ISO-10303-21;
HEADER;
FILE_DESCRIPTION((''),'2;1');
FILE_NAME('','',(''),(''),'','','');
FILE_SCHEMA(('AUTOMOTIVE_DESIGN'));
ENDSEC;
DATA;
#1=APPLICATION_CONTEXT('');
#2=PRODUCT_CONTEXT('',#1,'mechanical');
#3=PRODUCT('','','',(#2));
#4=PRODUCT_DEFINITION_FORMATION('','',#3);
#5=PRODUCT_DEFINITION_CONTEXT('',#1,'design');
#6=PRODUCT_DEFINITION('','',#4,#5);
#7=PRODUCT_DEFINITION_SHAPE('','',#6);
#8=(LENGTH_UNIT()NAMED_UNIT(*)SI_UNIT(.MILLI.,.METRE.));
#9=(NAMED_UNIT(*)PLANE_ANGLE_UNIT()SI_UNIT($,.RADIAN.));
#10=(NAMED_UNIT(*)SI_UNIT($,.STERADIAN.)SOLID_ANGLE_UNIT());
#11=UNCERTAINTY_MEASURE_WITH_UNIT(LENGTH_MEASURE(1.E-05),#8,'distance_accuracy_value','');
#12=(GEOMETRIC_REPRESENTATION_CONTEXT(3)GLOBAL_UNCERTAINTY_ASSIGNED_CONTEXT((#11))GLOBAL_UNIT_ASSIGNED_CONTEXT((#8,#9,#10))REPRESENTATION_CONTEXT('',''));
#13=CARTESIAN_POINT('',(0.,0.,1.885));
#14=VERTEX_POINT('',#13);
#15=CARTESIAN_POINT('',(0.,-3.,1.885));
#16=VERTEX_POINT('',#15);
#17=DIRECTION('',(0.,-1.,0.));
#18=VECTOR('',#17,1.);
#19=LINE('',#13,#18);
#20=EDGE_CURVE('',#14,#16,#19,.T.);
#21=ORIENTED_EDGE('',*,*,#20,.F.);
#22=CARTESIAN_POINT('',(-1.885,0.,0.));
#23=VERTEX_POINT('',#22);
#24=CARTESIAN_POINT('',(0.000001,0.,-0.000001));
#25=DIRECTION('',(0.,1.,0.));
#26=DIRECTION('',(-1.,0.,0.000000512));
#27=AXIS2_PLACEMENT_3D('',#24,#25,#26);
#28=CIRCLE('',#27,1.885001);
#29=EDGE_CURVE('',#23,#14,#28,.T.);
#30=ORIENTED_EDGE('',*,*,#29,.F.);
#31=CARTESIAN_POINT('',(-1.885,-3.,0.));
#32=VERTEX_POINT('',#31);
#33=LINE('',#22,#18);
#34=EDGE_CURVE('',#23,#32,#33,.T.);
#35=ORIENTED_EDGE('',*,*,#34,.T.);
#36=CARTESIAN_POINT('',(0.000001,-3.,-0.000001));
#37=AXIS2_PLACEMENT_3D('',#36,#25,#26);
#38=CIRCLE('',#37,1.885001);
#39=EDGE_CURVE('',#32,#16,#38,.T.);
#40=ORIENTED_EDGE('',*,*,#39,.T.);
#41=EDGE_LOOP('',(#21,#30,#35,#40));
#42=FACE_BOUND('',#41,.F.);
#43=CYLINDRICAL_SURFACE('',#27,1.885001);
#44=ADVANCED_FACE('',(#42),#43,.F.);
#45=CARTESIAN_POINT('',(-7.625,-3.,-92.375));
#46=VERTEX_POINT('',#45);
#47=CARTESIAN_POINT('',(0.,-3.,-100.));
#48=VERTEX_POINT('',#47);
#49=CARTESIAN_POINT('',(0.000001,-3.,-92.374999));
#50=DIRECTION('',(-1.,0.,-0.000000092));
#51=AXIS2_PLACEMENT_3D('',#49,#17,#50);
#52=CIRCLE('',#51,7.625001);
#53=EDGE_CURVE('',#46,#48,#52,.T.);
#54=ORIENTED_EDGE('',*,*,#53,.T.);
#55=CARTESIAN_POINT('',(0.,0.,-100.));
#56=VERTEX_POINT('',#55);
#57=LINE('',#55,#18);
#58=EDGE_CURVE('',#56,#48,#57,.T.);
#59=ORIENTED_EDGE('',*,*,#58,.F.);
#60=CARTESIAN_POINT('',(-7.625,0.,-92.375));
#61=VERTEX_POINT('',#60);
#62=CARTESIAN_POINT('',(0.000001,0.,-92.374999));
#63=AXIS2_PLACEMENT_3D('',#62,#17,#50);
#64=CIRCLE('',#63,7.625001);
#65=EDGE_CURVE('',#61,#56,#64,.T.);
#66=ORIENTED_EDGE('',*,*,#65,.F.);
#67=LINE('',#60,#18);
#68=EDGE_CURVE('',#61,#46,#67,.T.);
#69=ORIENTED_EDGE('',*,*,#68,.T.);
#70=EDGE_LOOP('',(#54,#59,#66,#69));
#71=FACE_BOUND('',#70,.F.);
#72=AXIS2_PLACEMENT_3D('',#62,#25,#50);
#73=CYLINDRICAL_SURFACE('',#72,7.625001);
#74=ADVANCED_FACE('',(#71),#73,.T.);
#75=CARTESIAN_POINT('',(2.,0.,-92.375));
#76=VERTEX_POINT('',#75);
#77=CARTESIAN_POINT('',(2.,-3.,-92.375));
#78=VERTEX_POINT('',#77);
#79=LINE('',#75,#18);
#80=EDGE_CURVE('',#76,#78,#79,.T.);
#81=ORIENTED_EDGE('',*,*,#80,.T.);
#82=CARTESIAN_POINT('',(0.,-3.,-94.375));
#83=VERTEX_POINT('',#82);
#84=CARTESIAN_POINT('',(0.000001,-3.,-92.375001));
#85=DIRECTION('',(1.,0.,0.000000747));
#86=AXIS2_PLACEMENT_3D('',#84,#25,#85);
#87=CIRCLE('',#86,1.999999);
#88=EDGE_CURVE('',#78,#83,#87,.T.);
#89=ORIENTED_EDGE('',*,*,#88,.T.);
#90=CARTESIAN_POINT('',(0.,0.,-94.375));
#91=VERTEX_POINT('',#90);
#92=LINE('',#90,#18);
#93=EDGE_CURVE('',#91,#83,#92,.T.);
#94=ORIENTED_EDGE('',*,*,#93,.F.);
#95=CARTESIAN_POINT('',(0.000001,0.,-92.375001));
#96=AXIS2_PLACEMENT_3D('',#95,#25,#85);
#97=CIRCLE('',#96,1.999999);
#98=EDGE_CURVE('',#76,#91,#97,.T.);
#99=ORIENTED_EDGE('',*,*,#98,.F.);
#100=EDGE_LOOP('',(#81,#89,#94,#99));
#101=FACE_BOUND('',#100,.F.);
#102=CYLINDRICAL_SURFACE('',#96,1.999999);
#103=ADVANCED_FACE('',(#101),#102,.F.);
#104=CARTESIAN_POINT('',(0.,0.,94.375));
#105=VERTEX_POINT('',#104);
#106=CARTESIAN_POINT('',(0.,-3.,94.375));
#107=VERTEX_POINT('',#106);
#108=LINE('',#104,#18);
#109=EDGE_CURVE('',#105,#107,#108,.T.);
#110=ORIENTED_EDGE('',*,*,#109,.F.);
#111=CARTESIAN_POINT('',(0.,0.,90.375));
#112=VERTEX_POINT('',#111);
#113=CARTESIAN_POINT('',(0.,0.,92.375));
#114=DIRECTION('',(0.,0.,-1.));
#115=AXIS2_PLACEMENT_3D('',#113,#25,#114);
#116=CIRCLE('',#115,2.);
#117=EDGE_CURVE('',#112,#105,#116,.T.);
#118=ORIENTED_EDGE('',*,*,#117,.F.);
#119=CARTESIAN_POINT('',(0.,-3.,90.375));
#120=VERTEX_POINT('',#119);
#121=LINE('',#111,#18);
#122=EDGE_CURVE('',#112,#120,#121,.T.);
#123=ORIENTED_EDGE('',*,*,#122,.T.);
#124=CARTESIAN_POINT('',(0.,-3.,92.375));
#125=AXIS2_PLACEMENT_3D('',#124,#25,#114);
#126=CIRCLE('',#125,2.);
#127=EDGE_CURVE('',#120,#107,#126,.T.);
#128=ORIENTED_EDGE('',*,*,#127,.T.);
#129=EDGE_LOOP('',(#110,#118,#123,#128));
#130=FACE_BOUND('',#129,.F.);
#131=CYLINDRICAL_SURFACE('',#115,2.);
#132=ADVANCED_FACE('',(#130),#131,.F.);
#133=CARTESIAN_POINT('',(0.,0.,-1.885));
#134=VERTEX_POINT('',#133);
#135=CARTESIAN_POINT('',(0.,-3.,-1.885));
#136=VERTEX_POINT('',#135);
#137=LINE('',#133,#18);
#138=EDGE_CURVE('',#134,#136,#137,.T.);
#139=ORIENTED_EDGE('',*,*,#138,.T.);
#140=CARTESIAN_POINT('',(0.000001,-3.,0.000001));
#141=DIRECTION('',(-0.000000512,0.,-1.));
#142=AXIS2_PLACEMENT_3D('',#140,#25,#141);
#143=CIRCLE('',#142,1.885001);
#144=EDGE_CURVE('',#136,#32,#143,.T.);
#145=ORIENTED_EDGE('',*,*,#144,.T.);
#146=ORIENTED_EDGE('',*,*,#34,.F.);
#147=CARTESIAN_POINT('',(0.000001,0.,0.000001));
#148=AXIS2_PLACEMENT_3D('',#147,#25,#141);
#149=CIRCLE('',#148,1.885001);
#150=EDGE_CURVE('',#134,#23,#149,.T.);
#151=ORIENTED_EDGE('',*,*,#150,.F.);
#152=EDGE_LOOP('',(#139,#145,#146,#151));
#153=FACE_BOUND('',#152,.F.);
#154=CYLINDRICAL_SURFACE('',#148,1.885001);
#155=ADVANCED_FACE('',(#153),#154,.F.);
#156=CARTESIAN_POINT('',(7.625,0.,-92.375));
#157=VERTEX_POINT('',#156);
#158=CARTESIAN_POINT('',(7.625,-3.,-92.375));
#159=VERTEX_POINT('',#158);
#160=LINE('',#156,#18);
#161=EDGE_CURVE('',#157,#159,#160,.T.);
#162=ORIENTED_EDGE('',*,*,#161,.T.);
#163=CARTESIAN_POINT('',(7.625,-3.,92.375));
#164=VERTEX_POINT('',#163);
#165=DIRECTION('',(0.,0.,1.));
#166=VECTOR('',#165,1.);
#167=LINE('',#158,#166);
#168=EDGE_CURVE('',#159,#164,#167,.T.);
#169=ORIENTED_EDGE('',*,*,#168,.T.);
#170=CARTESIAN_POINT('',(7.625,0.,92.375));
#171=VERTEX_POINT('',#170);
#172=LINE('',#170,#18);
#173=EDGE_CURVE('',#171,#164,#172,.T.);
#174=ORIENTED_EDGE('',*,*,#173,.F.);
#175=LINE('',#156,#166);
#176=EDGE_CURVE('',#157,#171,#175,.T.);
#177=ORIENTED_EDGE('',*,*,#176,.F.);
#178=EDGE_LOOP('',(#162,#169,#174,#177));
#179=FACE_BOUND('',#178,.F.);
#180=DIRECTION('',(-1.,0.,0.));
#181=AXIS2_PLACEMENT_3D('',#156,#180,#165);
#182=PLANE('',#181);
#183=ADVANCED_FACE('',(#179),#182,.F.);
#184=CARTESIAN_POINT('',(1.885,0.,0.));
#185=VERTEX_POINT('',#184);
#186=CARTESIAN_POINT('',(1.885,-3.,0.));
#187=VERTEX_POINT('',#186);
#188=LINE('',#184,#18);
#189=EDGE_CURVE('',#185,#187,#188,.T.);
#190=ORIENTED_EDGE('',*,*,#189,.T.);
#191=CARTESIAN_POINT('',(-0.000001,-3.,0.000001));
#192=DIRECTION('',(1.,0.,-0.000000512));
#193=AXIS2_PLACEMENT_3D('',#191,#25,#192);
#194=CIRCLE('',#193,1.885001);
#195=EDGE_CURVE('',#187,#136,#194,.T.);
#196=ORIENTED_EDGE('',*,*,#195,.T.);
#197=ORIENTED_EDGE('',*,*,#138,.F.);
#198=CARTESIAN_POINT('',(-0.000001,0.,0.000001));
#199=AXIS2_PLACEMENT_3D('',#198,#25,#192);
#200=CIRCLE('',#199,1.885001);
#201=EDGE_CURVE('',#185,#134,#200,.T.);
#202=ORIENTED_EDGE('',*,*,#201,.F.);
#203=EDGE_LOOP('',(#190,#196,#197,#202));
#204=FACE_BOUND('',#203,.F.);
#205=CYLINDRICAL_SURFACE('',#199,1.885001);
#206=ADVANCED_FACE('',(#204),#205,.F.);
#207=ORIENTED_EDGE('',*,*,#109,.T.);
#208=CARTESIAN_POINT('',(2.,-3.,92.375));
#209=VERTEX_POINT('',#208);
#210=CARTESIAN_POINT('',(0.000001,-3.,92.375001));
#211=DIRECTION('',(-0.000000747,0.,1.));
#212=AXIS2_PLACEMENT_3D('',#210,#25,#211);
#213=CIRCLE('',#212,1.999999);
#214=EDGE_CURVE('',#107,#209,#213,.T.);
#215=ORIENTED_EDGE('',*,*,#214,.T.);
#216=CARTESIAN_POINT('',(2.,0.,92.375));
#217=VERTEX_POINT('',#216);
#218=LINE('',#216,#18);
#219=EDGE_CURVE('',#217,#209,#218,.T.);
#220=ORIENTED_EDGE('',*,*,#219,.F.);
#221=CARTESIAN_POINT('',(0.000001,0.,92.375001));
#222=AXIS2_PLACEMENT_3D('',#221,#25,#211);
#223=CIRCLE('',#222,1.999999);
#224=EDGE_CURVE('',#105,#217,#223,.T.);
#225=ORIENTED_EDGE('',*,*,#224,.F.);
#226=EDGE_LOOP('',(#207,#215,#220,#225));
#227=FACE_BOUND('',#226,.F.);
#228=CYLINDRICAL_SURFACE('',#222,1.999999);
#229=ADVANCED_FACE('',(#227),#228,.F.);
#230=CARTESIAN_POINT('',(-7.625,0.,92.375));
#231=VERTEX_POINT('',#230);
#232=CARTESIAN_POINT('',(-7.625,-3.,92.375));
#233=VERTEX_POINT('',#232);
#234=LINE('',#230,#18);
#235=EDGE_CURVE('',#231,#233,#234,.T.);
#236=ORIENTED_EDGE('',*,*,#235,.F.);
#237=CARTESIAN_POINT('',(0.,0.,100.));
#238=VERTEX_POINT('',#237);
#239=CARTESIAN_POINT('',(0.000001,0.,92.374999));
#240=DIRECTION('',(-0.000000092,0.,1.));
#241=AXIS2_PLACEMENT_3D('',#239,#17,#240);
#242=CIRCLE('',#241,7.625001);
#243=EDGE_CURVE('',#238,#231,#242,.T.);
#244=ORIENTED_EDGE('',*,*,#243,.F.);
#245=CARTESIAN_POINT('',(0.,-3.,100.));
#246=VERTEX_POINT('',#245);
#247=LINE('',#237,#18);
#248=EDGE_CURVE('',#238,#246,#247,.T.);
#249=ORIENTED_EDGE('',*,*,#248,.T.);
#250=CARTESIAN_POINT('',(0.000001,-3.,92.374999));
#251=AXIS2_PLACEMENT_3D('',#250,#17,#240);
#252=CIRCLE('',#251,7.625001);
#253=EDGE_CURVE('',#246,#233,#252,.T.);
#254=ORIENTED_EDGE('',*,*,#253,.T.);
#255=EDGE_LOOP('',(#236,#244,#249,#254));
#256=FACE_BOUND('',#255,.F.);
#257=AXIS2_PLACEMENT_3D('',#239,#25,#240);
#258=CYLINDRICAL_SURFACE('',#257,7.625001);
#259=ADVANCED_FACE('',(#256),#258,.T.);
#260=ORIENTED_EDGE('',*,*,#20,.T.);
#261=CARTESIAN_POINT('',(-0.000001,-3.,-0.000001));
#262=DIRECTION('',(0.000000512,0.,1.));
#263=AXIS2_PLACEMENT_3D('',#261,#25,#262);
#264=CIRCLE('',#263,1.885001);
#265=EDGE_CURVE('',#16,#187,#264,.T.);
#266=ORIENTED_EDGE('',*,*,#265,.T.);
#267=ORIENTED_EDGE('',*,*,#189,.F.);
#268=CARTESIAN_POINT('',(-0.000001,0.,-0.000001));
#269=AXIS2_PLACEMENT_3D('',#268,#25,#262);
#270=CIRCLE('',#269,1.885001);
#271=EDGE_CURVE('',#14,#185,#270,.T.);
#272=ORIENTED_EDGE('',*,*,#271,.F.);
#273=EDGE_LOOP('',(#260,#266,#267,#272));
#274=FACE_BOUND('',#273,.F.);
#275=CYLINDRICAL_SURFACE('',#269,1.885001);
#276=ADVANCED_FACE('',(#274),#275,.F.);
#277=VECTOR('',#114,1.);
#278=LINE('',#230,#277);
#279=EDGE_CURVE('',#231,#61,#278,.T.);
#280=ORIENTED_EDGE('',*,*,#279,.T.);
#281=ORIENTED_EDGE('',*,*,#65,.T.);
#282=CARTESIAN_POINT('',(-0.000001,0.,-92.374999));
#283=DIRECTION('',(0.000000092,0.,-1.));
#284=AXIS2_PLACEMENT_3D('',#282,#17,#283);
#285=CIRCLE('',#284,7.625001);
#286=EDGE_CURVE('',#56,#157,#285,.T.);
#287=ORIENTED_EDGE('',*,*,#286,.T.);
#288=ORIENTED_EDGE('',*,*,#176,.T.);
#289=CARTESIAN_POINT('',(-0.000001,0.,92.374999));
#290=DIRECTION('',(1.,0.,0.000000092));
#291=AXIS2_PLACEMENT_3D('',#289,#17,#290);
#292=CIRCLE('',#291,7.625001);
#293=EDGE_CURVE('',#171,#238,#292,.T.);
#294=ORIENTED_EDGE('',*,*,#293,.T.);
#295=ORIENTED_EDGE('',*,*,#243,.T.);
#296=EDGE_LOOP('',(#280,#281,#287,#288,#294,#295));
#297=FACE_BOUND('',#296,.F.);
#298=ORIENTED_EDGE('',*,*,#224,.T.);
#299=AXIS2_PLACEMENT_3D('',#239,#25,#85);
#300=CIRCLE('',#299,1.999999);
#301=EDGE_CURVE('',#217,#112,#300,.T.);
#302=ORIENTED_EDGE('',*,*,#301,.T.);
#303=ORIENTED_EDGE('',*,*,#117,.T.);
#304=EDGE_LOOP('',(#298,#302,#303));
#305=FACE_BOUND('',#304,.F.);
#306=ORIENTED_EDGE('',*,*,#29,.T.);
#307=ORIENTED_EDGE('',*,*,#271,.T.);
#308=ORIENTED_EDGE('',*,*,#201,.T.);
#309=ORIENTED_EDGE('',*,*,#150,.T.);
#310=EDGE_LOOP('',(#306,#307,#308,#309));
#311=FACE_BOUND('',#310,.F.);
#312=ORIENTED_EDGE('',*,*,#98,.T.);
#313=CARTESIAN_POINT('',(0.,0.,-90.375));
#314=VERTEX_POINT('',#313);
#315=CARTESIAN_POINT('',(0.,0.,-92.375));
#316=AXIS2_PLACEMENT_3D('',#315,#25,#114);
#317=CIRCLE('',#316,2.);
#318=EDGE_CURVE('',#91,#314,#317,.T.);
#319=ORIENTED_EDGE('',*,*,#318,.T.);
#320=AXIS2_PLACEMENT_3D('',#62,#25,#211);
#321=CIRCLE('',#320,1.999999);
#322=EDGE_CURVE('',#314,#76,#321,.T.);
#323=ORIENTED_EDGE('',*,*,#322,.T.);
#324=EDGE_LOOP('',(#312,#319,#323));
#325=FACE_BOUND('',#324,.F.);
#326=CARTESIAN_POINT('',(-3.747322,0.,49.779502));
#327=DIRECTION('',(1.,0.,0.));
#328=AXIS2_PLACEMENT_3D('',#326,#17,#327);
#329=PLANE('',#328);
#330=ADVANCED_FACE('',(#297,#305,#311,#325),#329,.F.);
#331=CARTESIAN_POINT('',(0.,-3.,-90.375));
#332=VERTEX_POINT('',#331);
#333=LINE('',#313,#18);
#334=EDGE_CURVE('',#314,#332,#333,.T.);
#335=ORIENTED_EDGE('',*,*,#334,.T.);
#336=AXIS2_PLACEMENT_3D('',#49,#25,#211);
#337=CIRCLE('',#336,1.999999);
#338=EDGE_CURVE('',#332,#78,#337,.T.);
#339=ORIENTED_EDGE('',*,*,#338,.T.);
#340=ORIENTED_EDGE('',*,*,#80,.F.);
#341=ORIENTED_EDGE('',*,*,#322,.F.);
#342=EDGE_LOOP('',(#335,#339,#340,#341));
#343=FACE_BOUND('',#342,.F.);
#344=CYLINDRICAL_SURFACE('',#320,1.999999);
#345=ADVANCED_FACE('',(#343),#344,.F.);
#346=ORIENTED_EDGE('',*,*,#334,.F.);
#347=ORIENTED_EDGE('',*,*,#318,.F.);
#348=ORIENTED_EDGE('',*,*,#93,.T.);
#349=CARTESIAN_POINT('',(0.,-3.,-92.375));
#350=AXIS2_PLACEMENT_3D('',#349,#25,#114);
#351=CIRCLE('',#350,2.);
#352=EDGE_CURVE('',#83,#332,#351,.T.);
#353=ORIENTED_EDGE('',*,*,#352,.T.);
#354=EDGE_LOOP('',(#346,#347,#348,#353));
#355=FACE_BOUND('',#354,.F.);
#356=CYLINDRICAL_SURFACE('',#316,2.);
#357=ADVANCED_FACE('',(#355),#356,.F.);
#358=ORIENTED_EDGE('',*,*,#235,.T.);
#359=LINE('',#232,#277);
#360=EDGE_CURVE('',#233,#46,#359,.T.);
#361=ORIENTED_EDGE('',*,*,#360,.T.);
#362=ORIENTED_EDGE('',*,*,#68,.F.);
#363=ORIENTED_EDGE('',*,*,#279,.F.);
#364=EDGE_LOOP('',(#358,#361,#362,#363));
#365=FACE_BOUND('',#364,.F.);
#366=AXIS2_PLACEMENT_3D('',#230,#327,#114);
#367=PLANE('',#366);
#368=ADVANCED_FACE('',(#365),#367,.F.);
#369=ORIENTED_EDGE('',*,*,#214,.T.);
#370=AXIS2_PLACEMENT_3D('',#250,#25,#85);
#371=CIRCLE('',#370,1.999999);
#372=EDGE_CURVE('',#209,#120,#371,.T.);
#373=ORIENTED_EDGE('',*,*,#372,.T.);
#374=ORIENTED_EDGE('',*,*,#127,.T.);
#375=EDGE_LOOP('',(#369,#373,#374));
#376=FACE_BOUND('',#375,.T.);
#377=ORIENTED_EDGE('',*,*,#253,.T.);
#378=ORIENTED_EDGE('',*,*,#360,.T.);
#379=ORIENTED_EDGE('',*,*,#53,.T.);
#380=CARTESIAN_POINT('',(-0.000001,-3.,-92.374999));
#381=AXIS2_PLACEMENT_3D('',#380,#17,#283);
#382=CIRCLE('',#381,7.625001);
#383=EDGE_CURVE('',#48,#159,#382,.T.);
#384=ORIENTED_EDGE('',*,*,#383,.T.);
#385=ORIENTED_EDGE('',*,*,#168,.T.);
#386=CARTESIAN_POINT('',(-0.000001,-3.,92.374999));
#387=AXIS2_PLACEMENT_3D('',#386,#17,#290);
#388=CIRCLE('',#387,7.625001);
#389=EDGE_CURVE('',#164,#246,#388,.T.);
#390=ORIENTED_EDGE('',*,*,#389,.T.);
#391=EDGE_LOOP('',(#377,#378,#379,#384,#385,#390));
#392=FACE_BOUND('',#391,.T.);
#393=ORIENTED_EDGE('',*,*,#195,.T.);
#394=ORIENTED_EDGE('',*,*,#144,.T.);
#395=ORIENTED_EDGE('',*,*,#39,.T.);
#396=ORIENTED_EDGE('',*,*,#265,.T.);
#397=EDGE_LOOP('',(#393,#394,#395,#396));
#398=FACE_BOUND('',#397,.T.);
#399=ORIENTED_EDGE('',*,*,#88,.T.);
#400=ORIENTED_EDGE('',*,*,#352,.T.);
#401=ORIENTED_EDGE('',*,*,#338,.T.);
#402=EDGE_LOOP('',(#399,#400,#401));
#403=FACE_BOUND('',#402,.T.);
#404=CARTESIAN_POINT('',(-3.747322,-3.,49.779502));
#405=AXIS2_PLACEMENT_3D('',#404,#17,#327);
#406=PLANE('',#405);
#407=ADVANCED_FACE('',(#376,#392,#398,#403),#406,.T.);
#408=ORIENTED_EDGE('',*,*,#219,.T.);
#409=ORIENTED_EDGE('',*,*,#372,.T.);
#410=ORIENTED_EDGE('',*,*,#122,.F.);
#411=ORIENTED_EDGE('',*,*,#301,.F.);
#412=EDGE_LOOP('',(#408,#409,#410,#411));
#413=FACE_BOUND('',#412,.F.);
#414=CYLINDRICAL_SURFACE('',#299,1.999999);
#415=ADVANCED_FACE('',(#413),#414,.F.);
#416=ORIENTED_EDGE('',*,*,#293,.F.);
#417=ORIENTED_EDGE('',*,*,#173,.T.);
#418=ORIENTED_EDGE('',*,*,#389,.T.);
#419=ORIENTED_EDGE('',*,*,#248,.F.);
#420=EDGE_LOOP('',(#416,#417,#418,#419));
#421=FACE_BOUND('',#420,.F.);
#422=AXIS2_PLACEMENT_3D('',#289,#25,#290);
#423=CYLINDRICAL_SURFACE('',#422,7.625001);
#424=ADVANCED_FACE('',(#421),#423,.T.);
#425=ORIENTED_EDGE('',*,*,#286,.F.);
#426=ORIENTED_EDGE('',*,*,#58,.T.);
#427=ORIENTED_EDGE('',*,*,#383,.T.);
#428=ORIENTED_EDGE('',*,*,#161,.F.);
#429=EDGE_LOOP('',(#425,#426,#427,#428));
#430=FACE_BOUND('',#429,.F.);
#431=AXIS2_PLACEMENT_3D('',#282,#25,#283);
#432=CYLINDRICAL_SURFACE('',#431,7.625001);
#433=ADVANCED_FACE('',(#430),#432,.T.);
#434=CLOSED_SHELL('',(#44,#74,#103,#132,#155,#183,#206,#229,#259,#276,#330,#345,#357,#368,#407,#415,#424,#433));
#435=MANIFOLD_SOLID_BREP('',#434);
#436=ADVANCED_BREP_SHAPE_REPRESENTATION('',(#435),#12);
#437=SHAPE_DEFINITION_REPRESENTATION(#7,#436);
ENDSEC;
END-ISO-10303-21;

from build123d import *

# Parameters (mm, degrees)
F1_DEPTH = 3


with BuildPart() as f1:
    # F0 (on Front) → F1 (new body)
    with BuildSketch(Plane.XZ):
        with BuildLine():
            ThreePointArc((0, 100), (-5.391689, 97.766689), (-7.625, 92.375))
            Line((-7.625, 92.375), (-7.625, 0))
            Line((-7.625, 0), (-1.885, 0))
            ThreePointArc((-1.885, 0), (-1.332896, 1.332896), (0, 1.885))
            Line((0, 1.885), (0, 90.375))
            ThreePointArc((0, 90.375), (-2, 92.375), (0, 94.375))
            Line((0, 94.375), (0, 100))
        make_face()
        with BuildLine():
            ThreePointArc((7.625, 92.375), (5.391689, 97.766689), (0, 100))
            Line((0, 100), (0, 94.375))
            ThreePointArc((0, 94.375), (1.414214, 93.789214), (2, 92.375))
            ThreePointArc((2, 92.375), (1.414214, 90.960786), (0, 90.375))
            Line((0, 90.375), (0, 1.885))
            ThreePointArc((0, 1.885), (1.332896, 1.332896), (1.885, 0))
            Line((1.885, 0), (7.625, 0))
            Line((7.625, 0), (7.625, 92.375))
        make_face()
        with BuildLine():
            Line((-1.885, 0), (-7.625, 0))
            Line((-7.625, 0), (-7.625, -92.375))
            ThreePointArc((-7.625, -92.375), (-5.391689, -97.766689), (0, -100))
            Line((0, -100), (0, -94.375))
            ThreePointArc((0, -94.375), (-2, -92.375), (0, -90.375))
            Line((0, -90.375), (0, -1.885))
            ThreePointArc((0, -1.885), (-1.332896, -1.332896), (-1.885, 0))
        make_face()
        with BuildLine():
            Line((0, -94.375), (0, -100))
            ThreePointArc((0, -100), (5.391689, -97.766689), (7.625, -92.375))
            Line((7.625, -92.375), (7.625, 0))
            Line((7.625, 0), (1.885, 0))
            ThreePointArc((1.885, 0), (1.332896, -1.332896), (0, -1.885))
            Line((0, -1.885), (0, -90.375))
            ThreePointArc((0, -90.375), (1.414214, -90.960786), (2, -92.375))
            ThreePointArc((2, -92.375), (1.414214, -93.789214), (0, -94.375))
        make_face()
    extrude(amount=F1_DEPTH)


solid = f1.part
